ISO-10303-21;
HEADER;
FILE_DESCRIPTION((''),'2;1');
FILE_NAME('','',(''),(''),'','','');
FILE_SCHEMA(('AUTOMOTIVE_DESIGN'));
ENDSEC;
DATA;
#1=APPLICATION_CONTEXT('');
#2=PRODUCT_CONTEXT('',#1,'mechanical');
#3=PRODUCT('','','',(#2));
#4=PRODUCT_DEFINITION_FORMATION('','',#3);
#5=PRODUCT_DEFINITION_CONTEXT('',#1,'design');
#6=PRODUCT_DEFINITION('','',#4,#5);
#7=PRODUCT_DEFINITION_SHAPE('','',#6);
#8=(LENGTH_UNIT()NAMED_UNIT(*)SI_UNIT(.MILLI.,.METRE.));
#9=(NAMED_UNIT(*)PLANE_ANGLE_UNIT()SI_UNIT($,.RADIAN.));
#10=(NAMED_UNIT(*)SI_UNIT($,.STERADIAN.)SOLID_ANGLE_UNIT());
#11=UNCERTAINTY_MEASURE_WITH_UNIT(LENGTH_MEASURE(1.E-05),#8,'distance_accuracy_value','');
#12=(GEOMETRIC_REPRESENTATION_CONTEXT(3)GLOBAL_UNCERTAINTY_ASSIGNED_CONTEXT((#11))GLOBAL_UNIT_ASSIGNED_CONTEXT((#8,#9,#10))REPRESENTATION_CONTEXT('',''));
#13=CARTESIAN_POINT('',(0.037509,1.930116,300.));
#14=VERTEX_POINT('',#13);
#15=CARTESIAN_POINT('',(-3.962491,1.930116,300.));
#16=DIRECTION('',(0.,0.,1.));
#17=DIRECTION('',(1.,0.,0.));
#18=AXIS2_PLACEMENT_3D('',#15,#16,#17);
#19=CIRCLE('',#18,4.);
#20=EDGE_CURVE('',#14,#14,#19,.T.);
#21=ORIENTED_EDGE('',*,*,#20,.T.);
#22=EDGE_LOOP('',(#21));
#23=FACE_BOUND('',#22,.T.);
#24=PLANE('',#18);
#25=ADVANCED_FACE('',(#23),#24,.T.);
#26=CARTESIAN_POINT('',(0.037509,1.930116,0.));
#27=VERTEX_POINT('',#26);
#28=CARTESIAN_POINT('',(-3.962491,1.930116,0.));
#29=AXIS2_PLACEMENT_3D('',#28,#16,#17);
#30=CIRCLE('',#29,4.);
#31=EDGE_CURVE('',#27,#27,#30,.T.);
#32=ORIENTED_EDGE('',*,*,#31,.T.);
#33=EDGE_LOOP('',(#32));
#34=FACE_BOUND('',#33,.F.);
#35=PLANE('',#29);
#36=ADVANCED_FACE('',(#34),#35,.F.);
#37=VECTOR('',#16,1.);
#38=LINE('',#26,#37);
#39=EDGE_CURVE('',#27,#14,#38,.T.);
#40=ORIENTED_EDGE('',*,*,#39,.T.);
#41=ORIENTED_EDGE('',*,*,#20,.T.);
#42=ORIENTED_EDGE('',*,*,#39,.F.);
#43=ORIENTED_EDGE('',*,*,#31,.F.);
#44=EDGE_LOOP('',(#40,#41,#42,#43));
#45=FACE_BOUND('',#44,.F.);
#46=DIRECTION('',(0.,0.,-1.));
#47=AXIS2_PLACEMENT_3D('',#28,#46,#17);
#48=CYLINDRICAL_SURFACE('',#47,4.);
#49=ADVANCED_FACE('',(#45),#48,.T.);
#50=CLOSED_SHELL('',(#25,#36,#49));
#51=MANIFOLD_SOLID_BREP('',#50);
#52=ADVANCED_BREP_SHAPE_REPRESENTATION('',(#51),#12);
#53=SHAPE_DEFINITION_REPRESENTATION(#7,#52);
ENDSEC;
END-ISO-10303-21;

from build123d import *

# Parameters (mm, degrees)
SKETCH1_R           = 4
BOSS_EXTRUDE1_DEPTH = 300


with BuildPart() as part:
    # Sketch1 → Boss-Extrude1 (new body)
    with BuildSketch(Plane.XY):
        with Locations((-3.962490579, 1.930116379)):
            Circle(SKETCH1_R)
    extrude(amount=BOSS_EXTRUDE1_DEPTH)


solid = part.part
